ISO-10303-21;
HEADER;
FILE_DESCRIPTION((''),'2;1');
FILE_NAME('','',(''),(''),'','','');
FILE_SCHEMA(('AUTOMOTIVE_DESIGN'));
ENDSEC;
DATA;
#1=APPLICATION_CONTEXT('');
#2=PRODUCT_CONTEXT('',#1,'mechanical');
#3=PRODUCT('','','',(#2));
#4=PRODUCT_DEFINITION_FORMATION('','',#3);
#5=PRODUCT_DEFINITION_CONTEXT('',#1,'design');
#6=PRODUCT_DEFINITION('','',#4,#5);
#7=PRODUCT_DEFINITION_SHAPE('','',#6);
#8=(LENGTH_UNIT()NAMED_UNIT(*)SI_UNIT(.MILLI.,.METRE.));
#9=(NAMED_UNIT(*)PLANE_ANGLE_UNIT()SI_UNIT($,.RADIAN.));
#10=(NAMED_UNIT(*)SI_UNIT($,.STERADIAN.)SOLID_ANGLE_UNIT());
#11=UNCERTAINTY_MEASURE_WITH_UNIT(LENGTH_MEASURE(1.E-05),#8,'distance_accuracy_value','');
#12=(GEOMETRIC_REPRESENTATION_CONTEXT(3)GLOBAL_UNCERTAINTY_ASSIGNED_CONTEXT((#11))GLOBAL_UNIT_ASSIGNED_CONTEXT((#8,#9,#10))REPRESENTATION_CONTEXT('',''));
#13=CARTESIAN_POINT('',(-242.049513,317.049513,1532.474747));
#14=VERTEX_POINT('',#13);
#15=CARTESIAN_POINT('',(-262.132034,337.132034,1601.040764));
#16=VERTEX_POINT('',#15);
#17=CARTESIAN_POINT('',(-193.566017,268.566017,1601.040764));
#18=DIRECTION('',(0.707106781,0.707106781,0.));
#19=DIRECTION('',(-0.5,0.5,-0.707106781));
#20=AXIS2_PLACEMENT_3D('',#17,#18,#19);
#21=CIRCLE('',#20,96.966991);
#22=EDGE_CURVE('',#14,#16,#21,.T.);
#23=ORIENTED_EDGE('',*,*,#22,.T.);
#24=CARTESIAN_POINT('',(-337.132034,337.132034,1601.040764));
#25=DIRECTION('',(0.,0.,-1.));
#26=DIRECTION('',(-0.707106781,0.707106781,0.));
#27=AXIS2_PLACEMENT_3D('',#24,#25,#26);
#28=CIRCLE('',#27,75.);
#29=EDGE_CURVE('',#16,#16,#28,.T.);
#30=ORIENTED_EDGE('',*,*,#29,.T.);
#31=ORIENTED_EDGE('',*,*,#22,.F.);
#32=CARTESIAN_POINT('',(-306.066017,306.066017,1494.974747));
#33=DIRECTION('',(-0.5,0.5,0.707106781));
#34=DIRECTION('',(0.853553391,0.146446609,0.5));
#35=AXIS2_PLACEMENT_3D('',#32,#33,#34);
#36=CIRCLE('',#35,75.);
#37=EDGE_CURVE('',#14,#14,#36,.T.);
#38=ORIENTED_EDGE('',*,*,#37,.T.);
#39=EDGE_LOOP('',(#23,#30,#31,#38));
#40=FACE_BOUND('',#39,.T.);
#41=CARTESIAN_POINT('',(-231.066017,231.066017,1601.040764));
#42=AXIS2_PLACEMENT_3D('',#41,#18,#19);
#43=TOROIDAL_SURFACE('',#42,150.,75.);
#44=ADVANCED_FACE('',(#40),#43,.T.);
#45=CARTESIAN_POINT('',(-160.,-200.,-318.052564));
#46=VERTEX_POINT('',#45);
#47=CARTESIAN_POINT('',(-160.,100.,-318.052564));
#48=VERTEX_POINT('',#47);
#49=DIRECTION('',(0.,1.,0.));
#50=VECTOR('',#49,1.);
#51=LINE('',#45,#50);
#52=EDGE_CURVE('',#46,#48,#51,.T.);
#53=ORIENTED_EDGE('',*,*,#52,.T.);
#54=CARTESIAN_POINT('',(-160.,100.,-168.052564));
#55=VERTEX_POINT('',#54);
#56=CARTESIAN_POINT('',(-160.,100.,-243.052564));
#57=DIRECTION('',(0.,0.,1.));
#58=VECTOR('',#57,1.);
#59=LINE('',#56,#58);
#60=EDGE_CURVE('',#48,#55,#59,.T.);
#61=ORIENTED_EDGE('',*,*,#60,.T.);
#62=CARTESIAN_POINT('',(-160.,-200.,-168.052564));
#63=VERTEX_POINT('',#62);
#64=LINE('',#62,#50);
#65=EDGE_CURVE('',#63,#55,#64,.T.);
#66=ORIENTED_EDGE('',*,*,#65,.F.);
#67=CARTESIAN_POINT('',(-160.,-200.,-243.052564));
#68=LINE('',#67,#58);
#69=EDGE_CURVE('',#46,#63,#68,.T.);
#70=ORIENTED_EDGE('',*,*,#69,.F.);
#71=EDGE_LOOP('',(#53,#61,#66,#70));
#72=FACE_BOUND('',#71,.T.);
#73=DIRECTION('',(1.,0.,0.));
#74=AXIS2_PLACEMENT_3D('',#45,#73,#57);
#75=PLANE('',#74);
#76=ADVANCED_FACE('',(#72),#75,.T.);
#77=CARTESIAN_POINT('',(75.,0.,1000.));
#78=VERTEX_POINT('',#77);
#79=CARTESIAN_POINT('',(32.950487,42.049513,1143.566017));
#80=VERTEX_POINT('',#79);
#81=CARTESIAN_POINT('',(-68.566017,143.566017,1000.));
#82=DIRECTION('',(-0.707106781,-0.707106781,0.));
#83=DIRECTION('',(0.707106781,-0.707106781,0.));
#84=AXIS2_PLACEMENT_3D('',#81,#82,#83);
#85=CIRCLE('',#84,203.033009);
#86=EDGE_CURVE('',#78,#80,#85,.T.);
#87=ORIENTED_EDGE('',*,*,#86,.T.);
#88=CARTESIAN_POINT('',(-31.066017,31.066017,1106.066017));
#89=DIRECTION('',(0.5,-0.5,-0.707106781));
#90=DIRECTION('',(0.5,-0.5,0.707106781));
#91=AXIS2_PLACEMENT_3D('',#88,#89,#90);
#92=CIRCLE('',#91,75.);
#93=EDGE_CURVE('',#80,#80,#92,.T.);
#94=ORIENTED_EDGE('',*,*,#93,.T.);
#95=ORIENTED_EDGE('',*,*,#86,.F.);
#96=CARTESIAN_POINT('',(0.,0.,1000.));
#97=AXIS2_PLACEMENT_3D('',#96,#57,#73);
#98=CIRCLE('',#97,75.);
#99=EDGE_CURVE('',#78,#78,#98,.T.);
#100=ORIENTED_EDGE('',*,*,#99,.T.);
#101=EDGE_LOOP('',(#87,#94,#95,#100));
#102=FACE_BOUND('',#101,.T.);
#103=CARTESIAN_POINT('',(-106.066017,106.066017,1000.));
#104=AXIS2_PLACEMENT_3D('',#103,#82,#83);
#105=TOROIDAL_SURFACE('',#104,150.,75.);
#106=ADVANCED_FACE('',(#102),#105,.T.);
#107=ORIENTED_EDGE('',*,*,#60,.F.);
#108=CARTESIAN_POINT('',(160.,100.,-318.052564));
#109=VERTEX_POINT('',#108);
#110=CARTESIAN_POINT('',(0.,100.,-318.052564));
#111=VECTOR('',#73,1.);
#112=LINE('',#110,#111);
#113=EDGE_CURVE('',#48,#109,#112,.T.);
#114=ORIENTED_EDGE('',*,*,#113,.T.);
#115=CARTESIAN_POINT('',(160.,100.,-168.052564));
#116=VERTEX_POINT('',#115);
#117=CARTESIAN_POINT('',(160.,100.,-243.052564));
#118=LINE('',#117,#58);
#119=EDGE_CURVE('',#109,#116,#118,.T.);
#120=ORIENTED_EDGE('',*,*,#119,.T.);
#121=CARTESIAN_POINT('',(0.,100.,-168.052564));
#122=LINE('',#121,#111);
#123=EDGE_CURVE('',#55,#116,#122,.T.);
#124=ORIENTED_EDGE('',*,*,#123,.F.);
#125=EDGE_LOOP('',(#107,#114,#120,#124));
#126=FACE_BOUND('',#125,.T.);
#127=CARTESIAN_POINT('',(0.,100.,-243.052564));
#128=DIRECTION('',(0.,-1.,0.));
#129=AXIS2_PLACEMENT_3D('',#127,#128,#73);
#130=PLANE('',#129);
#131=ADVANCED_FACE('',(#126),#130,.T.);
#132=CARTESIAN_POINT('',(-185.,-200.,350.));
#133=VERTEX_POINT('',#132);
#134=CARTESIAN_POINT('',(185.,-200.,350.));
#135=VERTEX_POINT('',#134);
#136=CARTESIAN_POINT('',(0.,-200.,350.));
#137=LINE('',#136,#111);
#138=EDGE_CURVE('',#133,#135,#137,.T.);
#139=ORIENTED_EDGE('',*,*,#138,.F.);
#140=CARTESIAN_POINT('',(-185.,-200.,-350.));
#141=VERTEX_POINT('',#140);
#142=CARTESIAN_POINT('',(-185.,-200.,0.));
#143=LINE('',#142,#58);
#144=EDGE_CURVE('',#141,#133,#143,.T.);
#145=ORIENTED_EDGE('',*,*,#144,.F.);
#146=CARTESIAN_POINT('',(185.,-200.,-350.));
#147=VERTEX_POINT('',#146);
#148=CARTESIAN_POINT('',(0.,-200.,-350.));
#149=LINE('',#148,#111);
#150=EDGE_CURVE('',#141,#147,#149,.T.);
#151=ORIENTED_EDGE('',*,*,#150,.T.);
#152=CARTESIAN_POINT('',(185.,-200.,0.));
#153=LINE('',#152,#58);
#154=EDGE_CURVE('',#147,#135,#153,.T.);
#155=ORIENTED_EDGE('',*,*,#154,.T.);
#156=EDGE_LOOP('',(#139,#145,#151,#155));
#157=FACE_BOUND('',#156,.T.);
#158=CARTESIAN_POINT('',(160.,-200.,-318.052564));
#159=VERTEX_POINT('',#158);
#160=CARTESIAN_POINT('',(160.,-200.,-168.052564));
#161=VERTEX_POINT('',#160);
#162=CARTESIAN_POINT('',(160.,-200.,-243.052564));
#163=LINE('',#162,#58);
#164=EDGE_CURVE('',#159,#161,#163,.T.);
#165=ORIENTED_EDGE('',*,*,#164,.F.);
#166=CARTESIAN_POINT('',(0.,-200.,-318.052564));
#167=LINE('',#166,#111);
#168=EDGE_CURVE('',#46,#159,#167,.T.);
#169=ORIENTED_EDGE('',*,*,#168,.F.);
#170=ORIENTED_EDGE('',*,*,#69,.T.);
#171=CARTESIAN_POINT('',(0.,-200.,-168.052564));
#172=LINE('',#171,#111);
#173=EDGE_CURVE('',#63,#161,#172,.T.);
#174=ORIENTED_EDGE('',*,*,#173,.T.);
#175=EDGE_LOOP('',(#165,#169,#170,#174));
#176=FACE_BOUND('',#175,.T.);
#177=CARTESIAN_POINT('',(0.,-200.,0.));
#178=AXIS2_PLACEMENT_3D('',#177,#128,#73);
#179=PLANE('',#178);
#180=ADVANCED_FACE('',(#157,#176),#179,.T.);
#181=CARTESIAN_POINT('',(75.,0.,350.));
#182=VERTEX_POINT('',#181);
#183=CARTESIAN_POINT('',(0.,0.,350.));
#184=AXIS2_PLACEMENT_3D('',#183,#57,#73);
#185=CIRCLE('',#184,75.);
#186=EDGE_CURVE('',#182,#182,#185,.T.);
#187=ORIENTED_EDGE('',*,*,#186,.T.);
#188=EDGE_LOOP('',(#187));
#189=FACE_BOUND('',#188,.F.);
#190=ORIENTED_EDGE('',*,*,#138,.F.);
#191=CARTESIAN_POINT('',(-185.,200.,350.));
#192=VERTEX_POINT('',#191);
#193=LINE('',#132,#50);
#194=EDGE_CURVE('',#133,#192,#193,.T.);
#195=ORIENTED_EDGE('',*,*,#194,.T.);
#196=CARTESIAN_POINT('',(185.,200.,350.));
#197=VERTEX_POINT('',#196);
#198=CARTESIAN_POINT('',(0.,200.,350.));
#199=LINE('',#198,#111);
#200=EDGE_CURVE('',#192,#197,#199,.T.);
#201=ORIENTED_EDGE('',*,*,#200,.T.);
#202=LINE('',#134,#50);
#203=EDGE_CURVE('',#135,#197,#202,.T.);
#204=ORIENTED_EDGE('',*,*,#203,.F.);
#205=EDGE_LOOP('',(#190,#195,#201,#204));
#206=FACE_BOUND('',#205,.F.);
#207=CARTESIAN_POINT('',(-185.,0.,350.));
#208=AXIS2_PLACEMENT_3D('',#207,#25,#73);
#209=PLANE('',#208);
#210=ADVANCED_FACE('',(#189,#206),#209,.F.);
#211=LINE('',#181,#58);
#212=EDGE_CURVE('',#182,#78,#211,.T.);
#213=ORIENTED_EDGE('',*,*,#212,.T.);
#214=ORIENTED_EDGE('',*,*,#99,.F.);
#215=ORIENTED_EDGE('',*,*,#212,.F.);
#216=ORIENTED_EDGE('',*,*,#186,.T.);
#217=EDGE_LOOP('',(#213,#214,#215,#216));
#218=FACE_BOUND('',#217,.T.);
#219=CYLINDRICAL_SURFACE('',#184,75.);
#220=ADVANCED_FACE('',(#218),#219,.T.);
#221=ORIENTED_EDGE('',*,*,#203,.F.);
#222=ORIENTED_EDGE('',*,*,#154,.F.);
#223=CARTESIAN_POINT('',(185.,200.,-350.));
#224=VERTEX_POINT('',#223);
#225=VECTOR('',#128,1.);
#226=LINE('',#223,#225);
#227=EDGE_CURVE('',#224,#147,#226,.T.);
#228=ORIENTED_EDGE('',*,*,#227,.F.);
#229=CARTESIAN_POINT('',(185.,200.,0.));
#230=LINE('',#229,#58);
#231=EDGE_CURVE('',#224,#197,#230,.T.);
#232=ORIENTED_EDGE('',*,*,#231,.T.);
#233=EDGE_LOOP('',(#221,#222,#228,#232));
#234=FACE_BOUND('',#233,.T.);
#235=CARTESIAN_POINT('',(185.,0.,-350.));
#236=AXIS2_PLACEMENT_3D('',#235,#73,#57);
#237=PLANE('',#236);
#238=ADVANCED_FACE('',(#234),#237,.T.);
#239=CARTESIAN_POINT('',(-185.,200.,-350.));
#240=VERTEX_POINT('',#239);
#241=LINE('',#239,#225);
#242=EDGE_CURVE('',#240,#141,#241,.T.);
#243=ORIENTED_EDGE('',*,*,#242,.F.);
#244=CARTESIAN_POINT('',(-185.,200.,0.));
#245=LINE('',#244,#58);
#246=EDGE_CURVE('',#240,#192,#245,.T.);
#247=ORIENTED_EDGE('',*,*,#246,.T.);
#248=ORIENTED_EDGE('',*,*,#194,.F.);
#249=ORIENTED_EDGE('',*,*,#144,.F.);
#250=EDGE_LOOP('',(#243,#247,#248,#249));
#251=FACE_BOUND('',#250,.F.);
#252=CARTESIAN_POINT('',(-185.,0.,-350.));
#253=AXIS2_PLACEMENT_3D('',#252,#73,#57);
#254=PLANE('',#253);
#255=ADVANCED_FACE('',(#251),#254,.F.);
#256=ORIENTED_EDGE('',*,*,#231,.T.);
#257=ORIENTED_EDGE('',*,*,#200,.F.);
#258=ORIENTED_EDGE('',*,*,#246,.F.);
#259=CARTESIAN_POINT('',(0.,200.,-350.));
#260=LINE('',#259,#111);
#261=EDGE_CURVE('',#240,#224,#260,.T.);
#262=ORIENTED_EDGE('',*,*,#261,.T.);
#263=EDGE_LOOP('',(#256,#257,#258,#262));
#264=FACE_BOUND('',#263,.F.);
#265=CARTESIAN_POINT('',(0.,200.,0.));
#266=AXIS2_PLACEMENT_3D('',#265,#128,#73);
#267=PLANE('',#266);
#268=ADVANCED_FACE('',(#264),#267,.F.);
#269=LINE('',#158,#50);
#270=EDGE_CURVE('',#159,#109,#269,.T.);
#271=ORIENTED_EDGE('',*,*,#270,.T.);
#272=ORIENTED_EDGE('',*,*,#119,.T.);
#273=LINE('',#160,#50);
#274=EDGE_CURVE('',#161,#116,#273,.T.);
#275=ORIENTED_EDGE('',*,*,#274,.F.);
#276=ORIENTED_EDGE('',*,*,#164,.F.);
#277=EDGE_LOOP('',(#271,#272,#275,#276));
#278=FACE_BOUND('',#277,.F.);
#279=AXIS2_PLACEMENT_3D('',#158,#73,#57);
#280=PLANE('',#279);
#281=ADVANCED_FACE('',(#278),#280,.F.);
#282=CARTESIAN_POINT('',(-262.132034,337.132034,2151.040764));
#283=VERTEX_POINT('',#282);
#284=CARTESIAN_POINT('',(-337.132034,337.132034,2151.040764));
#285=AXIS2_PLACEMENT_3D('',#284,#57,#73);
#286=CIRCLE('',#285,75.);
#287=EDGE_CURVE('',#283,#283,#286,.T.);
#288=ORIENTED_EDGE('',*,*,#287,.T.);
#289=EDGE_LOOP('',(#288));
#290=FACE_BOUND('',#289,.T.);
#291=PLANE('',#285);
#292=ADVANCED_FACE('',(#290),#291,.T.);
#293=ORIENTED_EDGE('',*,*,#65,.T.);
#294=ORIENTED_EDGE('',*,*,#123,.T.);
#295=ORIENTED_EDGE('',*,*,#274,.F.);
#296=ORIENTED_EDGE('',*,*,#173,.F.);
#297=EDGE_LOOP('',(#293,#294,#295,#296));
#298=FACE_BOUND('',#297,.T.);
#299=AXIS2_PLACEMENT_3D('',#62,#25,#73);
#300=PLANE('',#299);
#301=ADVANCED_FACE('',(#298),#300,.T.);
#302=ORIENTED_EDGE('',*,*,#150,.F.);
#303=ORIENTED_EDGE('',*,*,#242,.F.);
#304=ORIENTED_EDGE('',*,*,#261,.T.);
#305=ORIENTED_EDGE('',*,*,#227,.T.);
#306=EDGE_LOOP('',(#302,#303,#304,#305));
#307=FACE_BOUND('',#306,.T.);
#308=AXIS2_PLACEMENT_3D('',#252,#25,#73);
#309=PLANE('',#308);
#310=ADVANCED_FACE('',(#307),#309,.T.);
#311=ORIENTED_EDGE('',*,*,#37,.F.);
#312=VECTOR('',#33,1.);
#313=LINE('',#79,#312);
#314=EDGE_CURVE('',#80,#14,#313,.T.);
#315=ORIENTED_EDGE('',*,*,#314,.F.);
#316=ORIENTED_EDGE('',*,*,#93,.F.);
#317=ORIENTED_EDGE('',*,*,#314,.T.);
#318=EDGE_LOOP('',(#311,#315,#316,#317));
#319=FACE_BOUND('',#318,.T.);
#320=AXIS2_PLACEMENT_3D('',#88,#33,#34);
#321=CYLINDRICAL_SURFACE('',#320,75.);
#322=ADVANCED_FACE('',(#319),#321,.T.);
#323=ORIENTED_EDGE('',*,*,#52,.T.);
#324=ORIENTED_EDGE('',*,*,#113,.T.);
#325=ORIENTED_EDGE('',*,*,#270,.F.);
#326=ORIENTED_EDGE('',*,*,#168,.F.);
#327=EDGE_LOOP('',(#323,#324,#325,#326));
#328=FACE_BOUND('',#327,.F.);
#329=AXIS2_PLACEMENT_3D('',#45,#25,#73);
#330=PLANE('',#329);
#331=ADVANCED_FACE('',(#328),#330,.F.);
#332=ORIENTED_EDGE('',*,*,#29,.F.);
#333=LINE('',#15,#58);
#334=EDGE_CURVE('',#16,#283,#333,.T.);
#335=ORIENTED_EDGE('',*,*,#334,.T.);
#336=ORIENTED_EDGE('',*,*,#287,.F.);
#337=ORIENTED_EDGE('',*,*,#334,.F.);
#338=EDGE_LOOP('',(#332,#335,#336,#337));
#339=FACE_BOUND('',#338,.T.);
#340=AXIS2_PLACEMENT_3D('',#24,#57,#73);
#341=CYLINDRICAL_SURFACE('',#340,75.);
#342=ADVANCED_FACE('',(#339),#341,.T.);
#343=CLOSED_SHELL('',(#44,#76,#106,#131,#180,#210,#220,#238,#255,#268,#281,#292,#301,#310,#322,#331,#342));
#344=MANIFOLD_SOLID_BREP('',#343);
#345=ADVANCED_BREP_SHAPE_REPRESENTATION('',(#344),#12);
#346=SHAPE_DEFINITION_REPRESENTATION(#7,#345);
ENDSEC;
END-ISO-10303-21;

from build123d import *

# Parameters (mm, degrees)
F0_W     = 370
F0_H     = 700
F1_DEPTH = 200
F5_R     = 75
F7_W     = 320
F7_H     = 150
F8_DEPTH = 300


with BuildPart() as f1:
    # F0 (on Front) → F1 (new body, symmetric)
    with BuildSketch(Plane.XZ):
        Rectangle(F0_W, F0_H)
    extrude(amount=F1_DEPTH, both=True)

    # F6: sweep along a path in F4
    with BuildLine(Plane(origin=(0, 0, 0), x_dir=(0.7071067812, -0.7071067812, 0), z_dir=(-0.7071067812, -0.7071067812, 0))) as f6_path:
        Line((0, 350), (0, 1000))
        ThreePointArc((0, 1000), (-11.4180701233, 1057.4025148548), (-43.933982822, 1106.066017178))
        Line((-43.933982822, 1106.066017178), (-432.8427124746, 1494.9747468306))
        ThreePointArc((-432.8427124746, 1494.9747468306), (-465.3586251733, 1543.6382491538), (-476.7766952966, 1601.0407640086))
        Line((-476.7766952966, 1601.0407640086), (-476.7766952966, 2151.0407640086))
    # F5 (on face) → F6 (sweep)
    with BuildSketch(Plane.XY.offset(350)):
        Circle(F5_R)
    sweep(path=f6_path.line)

    # F7 (on face) → F8 (cut)
    with BuildSketch(Plane.XZ.offset(200)):
        with Locations((0, -243.052563668)):
            Rectangle(F7_W, F7_H)
    extrude(amount=-F8_DEPTH, mode=Mode.SUBTRACT)


solid = f1.part
